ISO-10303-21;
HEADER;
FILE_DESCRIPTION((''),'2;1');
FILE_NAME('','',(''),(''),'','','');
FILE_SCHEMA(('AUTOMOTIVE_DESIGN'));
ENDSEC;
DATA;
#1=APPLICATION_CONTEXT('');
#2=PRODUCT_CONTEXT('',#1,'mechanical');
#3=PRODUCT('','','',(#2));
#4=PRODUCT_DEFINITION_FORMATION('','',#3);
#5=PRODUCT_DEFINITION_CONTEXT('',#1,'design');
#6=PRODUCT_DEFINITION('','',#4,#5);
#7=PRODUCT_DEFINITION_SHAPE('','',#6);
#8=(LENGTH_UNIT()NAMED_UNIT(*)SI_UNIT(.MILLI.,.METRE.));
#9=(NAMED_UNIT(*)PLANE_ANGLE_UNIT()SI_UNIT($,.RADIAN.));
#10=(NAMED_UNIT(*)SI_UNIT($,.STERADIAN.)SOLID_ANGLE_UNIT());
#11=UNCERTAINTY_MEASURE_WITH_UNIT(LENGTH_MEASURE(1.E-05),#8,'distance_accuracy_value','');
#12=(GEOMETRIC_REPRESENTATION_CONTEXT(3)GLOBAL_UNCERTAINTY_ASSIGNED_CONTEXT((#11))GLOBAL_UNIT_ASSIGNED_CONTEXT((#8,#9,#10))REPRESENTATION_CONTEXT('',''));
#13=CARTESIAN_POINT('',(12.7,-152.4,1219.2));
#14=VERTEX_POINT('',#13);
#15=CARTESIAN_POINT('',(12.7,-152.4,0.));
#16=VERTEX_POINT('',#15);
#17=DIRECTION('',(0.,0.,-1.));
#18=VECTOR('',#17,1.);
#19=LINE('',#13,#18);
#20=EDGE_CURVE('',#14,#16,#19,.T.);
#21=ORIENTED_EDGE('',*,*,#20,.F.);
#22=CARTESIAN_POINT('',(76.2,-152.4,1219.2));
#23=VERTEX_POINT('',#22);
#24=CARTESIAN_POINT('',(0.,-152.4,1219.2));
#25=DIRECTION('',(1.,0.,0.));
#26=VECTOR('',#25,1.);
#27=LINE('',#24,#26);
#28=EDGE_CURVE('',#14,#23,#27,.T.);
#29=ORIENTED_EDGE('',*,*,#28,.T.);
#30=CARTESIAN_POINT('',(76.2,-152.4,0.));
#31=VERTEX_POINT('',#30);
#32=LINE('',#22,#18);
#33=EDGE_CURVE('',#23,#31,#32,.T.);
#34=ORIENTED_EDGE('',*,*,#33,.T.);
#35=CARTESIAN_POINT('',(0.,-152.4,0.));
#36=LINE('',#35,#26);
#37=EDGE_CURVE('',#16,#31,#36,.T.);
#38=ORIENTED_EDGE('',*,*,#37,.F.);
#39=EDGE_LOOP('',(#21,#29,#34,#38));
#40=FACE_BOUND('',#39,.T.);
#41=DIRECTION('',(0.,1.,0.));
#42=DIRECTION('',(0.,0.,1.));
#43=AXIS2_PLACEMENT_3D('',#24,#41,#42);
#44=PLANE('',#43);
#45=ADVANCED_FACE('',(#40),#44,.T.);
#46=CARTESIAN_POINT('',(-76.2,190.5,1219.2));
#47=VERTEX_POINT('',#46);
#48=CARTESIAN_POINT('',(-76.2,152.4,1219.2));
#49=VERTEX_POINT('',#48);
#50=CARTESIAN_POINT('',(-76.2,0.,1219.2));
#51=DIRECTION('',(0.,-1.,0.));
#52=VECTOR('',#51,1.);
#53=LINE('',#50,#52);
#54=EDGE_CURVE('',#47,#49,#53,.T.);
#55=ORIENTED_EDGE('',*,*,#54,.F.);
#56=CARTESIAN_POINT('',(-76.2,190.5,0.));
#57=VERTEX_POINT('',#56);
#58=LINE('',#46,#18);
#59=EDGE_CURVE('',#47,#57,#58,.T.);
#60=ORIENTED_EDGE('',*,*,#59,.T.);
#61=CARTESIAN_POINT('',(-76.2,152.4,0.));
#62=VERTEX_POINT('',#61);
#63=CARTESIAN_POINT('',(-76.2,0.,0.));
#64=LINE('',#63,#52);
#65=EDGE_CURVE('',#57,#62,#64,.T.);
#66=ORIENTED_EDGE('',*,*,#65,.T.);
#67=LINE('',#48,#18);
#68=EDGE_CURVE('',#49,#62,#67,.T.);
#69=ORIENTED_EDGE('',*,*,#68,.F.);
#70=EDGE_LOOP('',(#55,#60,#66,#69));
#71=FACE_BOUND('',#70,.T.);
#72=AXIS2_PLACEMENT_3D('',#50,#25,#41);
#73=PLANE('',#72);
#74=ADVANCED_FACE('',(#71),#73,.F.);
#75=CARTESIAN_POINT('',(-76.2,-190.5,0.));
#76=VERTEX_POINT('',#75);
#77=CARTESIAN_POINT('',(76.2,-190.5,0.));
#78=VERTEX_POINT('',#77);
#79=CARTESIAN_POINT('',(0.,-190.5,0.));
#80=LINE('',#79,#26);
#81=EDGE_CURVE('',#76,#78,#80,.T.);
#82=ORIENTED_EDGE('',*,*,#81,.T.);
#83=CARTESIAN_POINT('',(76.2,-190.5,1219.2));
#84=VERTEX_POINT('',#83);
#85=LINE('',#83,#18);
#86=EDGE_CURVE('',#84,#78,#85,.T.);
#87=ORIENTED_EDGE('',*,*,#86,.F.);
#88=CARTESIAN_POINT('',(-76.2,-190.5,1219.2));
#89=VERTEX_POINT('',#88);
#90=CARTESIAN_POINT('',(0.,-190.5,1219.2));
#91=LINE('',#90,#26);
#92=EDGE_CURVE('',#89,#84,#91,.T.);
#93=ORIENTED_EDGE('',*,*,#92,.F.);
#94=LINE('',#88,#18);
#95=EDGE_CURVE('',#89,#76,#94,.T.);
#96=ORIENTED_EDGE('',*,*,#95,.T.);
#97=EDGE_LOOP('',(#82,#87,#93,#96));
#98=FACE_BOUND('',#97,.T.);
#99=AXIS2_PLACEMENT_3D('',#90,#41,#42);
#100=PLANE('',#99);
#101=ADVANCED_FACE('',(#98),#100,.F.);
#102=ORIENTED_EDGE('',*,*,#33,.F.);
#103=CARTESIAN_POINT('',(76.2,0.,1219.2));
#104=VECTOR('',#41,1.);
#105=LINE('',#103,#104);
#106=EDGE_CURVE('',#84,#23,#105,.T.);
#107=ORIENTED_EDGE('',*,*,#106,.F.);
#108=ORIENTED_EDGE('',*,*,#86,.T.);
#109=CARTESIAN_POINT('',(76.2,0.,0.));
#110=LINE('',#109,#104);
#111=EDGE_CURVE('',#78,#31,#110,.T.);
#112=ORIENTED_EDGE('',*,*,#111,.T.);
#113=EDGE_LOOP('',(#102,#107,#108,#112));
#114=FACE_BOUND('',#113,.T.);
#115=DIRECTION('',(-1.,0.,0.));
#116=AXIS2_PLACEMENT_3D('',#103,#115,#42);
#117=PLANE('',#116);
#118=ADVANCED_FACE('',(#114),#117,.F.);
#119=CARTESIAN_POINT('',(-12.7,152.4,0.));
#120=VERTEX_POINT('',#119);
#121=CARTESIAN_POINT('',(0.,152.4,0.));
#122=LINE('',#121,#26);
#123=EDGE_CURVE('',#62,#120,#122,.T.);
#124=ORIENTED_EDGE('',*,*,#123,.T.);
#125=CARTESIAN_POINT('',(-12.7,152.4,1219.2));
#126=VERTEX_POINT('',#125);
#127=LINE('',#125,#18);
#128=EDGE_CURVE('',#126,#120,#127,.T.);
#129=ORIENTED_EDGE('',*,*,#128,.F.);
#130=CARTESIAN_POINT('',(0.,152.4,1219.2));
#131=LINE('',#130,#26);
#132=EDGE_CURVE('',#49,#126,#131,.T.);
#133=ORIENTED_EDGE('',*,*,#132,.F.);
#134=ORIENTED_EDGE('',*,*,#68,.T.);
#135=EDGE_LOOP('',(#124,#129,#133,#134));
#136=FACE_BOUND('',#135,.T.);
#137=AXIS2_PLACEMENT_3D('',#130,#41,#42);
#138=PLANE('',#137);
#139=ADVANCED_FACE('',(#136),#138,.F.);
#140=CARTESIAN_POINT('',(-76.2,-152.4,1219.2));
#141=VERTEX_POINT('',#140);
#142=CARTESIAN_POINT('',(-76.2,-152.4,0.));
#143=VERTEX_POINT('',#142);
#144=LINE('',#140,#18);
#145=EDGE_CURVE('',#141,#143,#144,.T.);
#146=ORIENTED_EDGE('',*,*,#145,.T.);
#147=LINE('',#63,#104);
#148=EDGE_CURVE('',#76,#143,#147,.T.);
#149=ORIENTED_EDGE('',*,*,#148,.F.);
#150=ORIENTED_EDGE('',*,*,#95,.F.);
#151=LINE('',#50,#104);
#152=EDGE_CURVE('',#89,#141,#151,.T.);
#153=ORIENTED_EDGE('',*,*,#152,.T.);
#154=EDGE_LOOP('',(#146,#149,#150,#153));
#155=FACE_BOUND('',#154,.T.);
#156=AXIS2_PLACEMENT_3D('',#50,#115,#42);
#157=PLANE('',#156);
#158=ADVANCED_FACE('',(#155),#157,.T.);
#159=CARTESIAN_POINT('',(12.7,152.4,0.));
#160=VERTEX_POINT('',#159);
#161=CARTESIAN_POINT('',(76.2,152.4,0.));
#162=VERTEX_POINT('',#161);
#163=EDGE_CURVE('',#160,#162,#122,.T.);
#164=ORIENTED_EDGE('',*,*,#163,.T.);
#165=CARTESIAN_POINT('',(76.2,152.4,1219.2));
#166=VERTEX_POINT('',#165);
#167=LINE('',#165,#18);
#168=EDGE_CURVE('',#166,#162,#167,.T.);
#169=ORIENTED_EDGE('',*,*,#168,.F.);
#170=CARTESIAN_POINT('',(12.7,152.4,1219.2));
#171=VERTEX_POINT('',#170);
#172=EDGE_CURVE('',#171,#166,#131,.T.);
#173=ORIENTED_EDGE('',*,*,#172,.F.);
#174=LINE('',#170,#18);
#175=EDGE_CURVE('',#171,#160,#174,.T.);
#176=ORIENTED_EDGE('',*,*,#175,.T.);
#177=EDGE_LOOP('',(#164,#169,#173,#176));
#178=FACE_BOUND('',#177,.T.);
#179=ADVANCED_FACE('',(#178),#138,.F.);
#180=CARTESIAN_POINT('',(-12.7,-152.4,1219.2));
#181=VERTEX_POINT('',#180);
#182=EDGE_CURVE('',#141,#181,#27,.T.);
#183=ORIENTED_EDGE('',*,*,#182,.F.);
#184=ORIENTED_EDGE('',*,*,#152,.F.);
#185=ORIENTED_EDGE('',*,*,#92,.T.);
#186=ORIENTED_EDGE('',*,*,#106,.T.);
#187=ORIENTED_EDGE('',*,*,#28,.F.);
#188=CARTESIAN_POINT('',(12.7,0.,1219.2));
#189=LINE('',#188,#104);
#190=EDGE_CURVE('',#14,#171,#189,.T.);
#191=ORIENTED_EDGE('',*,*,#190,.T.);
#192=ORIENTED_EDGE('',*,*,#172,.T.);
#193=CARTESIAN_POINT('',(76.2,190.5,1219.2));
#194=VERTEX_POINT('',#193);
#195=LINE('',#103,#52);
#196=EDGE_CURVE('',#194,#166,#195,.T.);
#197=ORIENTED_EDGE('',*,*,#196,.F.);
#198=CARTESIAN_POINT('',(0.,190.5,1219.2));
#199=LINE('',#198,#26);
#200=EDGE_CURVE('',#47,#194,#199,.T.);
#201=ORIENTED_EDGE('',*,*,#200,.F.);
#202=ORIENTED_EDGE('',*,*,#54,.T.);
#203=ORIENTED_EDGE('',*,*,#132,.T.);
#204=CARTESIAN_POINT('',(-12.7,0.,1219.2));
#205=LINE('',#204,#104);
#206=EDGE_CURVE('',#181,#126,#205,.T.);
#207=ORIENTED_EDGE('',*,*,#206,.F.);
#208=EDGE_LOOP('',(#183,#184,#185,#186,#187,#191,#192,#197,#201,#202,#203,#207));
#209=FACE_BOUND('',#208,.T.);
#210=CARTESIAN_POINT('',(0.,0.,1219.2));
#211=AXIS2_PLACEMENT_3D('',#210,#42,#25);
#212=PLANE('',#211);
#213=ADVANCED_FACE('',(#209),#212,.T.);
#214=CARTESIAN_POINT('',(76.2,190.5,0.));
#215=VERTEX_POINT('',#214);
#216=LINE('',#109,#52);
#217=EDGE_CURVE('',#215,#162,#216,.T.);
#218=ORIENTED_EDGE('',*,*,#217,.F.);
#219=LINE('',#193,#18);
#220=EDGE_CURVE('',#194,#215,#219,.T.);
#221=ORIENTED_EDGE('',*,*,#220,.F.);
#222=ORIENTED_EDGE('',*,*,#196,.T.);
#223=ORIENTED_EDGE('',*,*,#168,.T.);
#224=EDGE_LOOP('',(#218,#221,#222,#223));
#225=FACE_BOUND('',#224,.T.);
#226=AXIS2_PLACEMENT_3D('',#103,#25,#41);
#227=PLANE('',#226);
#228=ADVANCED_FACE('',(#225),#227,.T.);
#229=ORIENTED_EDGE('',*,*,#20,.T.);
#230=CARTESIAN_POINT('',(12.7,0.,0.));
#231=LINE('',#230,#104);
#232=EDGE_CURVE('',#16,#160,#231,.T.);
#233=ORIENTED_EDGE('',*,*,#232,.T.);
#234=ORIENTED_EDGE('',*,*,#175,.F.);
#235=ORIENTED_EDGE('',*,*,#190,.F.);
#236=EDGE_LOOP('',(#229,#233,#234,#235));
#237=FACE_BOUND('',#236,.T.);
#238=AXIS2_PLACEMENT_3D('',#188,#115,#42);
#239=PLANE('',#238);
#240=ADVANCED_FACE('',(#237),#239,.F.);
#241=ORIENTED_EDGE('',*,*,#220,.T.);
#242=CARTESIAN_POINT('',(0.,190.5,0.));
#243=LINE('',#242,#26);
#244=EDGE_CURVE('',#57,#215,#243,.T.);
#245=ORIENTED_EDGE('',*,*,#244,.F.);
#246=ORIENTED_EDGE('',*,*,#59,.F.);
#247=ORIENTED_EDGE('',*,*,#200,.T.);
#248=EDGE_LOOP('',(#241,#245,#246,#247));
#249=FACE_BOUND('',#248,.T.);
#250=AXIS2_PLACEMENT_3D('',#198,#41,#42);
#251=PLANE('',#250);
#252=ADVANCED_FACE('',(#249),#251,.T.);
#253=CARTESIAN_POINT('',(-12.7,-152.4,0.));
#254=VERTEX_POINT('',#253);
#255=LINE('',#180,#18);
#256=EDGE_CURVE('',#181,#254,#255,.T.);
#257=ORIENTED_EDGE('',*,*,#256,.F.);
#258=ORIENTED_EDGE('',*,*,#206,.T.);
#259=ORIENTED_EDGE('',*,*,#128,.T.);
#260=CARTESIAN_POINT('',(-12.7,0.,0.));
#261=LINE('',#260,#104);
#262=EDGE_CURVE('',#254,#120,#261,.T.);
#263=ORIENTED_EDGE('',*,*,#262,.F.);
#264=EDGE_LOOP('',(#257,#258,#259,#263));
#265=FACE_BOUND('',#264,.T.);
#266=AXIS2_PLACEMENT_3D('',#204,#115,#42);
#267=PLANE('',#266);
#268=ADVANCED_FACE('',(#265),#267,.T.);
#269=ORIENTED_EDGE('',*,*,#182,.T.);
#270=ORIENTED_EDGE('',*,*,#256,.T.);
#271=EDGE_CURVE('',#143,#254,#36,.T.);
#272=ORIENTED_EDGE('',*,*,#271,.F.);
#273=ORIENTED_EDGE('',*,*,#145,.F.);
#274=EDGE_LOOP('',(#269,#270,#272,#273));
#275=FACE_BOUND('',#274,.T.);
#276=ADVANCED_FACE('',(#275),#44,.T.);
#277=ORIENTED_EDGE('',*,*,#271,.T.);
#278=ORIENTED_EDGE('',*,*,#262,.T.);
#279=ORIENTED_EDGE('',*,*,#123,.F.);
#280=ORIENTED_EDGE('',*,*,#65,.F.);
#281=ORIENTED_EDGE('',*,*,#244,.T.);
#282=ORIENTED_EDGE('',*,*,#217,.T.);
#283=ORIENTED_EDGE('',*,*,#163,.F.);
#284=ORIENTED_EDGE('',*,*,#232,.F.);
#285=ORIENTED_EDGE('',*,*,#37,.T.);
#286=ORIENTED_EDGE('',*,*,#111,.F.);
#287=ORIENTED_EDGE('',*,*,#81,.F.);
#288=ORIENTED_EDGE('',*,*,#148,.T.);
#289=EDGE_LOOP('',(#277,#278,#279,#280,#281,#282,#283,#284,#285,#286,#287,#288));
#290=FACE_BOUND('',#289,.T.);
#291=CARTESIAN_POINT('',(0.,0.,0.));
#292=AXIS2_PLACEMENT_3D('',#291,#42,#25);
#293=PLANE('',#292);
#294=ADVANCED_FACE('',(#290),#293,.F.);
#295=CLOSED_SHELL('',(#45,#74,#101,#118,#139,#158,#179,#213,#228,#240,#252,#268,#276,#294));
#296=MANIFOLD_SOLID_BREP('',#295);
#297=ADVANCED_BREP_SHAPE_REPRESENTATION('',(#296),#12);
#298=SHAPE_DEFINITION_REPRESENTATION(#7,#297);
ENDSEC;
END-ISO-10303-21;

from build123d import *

# Parameters (mm, degrees)
SKETCH2_W           = 25.4
SKETCH2_H           = 304.8
BOSS_EXTRUDE1_DEPTH = 1219.2


with BuildPart() as part:
    # Sketch2 → Boss-Extrude1 (new body)
    with BuildSketch(Plane.XY):
        Polygon((-76.2, 152.4), (-12.7, 152.4), (12.7, 152.4), (76.2, 152.4), (76.2, 190.5), (-76.2, 190.5), align=None)
        Rectangle(SKETCH2_W, SKETCH2_H)
        Polygon((12.7, -152.4), (-12.7, -152.4), (-76.2, -152.4), (-76.2, -190.5), (76.2, -190.5), (76.2, -152.4), align=None)
    extrude(amount=BOSS_EXTRUDE1_DEPTH)


solid = part.part
